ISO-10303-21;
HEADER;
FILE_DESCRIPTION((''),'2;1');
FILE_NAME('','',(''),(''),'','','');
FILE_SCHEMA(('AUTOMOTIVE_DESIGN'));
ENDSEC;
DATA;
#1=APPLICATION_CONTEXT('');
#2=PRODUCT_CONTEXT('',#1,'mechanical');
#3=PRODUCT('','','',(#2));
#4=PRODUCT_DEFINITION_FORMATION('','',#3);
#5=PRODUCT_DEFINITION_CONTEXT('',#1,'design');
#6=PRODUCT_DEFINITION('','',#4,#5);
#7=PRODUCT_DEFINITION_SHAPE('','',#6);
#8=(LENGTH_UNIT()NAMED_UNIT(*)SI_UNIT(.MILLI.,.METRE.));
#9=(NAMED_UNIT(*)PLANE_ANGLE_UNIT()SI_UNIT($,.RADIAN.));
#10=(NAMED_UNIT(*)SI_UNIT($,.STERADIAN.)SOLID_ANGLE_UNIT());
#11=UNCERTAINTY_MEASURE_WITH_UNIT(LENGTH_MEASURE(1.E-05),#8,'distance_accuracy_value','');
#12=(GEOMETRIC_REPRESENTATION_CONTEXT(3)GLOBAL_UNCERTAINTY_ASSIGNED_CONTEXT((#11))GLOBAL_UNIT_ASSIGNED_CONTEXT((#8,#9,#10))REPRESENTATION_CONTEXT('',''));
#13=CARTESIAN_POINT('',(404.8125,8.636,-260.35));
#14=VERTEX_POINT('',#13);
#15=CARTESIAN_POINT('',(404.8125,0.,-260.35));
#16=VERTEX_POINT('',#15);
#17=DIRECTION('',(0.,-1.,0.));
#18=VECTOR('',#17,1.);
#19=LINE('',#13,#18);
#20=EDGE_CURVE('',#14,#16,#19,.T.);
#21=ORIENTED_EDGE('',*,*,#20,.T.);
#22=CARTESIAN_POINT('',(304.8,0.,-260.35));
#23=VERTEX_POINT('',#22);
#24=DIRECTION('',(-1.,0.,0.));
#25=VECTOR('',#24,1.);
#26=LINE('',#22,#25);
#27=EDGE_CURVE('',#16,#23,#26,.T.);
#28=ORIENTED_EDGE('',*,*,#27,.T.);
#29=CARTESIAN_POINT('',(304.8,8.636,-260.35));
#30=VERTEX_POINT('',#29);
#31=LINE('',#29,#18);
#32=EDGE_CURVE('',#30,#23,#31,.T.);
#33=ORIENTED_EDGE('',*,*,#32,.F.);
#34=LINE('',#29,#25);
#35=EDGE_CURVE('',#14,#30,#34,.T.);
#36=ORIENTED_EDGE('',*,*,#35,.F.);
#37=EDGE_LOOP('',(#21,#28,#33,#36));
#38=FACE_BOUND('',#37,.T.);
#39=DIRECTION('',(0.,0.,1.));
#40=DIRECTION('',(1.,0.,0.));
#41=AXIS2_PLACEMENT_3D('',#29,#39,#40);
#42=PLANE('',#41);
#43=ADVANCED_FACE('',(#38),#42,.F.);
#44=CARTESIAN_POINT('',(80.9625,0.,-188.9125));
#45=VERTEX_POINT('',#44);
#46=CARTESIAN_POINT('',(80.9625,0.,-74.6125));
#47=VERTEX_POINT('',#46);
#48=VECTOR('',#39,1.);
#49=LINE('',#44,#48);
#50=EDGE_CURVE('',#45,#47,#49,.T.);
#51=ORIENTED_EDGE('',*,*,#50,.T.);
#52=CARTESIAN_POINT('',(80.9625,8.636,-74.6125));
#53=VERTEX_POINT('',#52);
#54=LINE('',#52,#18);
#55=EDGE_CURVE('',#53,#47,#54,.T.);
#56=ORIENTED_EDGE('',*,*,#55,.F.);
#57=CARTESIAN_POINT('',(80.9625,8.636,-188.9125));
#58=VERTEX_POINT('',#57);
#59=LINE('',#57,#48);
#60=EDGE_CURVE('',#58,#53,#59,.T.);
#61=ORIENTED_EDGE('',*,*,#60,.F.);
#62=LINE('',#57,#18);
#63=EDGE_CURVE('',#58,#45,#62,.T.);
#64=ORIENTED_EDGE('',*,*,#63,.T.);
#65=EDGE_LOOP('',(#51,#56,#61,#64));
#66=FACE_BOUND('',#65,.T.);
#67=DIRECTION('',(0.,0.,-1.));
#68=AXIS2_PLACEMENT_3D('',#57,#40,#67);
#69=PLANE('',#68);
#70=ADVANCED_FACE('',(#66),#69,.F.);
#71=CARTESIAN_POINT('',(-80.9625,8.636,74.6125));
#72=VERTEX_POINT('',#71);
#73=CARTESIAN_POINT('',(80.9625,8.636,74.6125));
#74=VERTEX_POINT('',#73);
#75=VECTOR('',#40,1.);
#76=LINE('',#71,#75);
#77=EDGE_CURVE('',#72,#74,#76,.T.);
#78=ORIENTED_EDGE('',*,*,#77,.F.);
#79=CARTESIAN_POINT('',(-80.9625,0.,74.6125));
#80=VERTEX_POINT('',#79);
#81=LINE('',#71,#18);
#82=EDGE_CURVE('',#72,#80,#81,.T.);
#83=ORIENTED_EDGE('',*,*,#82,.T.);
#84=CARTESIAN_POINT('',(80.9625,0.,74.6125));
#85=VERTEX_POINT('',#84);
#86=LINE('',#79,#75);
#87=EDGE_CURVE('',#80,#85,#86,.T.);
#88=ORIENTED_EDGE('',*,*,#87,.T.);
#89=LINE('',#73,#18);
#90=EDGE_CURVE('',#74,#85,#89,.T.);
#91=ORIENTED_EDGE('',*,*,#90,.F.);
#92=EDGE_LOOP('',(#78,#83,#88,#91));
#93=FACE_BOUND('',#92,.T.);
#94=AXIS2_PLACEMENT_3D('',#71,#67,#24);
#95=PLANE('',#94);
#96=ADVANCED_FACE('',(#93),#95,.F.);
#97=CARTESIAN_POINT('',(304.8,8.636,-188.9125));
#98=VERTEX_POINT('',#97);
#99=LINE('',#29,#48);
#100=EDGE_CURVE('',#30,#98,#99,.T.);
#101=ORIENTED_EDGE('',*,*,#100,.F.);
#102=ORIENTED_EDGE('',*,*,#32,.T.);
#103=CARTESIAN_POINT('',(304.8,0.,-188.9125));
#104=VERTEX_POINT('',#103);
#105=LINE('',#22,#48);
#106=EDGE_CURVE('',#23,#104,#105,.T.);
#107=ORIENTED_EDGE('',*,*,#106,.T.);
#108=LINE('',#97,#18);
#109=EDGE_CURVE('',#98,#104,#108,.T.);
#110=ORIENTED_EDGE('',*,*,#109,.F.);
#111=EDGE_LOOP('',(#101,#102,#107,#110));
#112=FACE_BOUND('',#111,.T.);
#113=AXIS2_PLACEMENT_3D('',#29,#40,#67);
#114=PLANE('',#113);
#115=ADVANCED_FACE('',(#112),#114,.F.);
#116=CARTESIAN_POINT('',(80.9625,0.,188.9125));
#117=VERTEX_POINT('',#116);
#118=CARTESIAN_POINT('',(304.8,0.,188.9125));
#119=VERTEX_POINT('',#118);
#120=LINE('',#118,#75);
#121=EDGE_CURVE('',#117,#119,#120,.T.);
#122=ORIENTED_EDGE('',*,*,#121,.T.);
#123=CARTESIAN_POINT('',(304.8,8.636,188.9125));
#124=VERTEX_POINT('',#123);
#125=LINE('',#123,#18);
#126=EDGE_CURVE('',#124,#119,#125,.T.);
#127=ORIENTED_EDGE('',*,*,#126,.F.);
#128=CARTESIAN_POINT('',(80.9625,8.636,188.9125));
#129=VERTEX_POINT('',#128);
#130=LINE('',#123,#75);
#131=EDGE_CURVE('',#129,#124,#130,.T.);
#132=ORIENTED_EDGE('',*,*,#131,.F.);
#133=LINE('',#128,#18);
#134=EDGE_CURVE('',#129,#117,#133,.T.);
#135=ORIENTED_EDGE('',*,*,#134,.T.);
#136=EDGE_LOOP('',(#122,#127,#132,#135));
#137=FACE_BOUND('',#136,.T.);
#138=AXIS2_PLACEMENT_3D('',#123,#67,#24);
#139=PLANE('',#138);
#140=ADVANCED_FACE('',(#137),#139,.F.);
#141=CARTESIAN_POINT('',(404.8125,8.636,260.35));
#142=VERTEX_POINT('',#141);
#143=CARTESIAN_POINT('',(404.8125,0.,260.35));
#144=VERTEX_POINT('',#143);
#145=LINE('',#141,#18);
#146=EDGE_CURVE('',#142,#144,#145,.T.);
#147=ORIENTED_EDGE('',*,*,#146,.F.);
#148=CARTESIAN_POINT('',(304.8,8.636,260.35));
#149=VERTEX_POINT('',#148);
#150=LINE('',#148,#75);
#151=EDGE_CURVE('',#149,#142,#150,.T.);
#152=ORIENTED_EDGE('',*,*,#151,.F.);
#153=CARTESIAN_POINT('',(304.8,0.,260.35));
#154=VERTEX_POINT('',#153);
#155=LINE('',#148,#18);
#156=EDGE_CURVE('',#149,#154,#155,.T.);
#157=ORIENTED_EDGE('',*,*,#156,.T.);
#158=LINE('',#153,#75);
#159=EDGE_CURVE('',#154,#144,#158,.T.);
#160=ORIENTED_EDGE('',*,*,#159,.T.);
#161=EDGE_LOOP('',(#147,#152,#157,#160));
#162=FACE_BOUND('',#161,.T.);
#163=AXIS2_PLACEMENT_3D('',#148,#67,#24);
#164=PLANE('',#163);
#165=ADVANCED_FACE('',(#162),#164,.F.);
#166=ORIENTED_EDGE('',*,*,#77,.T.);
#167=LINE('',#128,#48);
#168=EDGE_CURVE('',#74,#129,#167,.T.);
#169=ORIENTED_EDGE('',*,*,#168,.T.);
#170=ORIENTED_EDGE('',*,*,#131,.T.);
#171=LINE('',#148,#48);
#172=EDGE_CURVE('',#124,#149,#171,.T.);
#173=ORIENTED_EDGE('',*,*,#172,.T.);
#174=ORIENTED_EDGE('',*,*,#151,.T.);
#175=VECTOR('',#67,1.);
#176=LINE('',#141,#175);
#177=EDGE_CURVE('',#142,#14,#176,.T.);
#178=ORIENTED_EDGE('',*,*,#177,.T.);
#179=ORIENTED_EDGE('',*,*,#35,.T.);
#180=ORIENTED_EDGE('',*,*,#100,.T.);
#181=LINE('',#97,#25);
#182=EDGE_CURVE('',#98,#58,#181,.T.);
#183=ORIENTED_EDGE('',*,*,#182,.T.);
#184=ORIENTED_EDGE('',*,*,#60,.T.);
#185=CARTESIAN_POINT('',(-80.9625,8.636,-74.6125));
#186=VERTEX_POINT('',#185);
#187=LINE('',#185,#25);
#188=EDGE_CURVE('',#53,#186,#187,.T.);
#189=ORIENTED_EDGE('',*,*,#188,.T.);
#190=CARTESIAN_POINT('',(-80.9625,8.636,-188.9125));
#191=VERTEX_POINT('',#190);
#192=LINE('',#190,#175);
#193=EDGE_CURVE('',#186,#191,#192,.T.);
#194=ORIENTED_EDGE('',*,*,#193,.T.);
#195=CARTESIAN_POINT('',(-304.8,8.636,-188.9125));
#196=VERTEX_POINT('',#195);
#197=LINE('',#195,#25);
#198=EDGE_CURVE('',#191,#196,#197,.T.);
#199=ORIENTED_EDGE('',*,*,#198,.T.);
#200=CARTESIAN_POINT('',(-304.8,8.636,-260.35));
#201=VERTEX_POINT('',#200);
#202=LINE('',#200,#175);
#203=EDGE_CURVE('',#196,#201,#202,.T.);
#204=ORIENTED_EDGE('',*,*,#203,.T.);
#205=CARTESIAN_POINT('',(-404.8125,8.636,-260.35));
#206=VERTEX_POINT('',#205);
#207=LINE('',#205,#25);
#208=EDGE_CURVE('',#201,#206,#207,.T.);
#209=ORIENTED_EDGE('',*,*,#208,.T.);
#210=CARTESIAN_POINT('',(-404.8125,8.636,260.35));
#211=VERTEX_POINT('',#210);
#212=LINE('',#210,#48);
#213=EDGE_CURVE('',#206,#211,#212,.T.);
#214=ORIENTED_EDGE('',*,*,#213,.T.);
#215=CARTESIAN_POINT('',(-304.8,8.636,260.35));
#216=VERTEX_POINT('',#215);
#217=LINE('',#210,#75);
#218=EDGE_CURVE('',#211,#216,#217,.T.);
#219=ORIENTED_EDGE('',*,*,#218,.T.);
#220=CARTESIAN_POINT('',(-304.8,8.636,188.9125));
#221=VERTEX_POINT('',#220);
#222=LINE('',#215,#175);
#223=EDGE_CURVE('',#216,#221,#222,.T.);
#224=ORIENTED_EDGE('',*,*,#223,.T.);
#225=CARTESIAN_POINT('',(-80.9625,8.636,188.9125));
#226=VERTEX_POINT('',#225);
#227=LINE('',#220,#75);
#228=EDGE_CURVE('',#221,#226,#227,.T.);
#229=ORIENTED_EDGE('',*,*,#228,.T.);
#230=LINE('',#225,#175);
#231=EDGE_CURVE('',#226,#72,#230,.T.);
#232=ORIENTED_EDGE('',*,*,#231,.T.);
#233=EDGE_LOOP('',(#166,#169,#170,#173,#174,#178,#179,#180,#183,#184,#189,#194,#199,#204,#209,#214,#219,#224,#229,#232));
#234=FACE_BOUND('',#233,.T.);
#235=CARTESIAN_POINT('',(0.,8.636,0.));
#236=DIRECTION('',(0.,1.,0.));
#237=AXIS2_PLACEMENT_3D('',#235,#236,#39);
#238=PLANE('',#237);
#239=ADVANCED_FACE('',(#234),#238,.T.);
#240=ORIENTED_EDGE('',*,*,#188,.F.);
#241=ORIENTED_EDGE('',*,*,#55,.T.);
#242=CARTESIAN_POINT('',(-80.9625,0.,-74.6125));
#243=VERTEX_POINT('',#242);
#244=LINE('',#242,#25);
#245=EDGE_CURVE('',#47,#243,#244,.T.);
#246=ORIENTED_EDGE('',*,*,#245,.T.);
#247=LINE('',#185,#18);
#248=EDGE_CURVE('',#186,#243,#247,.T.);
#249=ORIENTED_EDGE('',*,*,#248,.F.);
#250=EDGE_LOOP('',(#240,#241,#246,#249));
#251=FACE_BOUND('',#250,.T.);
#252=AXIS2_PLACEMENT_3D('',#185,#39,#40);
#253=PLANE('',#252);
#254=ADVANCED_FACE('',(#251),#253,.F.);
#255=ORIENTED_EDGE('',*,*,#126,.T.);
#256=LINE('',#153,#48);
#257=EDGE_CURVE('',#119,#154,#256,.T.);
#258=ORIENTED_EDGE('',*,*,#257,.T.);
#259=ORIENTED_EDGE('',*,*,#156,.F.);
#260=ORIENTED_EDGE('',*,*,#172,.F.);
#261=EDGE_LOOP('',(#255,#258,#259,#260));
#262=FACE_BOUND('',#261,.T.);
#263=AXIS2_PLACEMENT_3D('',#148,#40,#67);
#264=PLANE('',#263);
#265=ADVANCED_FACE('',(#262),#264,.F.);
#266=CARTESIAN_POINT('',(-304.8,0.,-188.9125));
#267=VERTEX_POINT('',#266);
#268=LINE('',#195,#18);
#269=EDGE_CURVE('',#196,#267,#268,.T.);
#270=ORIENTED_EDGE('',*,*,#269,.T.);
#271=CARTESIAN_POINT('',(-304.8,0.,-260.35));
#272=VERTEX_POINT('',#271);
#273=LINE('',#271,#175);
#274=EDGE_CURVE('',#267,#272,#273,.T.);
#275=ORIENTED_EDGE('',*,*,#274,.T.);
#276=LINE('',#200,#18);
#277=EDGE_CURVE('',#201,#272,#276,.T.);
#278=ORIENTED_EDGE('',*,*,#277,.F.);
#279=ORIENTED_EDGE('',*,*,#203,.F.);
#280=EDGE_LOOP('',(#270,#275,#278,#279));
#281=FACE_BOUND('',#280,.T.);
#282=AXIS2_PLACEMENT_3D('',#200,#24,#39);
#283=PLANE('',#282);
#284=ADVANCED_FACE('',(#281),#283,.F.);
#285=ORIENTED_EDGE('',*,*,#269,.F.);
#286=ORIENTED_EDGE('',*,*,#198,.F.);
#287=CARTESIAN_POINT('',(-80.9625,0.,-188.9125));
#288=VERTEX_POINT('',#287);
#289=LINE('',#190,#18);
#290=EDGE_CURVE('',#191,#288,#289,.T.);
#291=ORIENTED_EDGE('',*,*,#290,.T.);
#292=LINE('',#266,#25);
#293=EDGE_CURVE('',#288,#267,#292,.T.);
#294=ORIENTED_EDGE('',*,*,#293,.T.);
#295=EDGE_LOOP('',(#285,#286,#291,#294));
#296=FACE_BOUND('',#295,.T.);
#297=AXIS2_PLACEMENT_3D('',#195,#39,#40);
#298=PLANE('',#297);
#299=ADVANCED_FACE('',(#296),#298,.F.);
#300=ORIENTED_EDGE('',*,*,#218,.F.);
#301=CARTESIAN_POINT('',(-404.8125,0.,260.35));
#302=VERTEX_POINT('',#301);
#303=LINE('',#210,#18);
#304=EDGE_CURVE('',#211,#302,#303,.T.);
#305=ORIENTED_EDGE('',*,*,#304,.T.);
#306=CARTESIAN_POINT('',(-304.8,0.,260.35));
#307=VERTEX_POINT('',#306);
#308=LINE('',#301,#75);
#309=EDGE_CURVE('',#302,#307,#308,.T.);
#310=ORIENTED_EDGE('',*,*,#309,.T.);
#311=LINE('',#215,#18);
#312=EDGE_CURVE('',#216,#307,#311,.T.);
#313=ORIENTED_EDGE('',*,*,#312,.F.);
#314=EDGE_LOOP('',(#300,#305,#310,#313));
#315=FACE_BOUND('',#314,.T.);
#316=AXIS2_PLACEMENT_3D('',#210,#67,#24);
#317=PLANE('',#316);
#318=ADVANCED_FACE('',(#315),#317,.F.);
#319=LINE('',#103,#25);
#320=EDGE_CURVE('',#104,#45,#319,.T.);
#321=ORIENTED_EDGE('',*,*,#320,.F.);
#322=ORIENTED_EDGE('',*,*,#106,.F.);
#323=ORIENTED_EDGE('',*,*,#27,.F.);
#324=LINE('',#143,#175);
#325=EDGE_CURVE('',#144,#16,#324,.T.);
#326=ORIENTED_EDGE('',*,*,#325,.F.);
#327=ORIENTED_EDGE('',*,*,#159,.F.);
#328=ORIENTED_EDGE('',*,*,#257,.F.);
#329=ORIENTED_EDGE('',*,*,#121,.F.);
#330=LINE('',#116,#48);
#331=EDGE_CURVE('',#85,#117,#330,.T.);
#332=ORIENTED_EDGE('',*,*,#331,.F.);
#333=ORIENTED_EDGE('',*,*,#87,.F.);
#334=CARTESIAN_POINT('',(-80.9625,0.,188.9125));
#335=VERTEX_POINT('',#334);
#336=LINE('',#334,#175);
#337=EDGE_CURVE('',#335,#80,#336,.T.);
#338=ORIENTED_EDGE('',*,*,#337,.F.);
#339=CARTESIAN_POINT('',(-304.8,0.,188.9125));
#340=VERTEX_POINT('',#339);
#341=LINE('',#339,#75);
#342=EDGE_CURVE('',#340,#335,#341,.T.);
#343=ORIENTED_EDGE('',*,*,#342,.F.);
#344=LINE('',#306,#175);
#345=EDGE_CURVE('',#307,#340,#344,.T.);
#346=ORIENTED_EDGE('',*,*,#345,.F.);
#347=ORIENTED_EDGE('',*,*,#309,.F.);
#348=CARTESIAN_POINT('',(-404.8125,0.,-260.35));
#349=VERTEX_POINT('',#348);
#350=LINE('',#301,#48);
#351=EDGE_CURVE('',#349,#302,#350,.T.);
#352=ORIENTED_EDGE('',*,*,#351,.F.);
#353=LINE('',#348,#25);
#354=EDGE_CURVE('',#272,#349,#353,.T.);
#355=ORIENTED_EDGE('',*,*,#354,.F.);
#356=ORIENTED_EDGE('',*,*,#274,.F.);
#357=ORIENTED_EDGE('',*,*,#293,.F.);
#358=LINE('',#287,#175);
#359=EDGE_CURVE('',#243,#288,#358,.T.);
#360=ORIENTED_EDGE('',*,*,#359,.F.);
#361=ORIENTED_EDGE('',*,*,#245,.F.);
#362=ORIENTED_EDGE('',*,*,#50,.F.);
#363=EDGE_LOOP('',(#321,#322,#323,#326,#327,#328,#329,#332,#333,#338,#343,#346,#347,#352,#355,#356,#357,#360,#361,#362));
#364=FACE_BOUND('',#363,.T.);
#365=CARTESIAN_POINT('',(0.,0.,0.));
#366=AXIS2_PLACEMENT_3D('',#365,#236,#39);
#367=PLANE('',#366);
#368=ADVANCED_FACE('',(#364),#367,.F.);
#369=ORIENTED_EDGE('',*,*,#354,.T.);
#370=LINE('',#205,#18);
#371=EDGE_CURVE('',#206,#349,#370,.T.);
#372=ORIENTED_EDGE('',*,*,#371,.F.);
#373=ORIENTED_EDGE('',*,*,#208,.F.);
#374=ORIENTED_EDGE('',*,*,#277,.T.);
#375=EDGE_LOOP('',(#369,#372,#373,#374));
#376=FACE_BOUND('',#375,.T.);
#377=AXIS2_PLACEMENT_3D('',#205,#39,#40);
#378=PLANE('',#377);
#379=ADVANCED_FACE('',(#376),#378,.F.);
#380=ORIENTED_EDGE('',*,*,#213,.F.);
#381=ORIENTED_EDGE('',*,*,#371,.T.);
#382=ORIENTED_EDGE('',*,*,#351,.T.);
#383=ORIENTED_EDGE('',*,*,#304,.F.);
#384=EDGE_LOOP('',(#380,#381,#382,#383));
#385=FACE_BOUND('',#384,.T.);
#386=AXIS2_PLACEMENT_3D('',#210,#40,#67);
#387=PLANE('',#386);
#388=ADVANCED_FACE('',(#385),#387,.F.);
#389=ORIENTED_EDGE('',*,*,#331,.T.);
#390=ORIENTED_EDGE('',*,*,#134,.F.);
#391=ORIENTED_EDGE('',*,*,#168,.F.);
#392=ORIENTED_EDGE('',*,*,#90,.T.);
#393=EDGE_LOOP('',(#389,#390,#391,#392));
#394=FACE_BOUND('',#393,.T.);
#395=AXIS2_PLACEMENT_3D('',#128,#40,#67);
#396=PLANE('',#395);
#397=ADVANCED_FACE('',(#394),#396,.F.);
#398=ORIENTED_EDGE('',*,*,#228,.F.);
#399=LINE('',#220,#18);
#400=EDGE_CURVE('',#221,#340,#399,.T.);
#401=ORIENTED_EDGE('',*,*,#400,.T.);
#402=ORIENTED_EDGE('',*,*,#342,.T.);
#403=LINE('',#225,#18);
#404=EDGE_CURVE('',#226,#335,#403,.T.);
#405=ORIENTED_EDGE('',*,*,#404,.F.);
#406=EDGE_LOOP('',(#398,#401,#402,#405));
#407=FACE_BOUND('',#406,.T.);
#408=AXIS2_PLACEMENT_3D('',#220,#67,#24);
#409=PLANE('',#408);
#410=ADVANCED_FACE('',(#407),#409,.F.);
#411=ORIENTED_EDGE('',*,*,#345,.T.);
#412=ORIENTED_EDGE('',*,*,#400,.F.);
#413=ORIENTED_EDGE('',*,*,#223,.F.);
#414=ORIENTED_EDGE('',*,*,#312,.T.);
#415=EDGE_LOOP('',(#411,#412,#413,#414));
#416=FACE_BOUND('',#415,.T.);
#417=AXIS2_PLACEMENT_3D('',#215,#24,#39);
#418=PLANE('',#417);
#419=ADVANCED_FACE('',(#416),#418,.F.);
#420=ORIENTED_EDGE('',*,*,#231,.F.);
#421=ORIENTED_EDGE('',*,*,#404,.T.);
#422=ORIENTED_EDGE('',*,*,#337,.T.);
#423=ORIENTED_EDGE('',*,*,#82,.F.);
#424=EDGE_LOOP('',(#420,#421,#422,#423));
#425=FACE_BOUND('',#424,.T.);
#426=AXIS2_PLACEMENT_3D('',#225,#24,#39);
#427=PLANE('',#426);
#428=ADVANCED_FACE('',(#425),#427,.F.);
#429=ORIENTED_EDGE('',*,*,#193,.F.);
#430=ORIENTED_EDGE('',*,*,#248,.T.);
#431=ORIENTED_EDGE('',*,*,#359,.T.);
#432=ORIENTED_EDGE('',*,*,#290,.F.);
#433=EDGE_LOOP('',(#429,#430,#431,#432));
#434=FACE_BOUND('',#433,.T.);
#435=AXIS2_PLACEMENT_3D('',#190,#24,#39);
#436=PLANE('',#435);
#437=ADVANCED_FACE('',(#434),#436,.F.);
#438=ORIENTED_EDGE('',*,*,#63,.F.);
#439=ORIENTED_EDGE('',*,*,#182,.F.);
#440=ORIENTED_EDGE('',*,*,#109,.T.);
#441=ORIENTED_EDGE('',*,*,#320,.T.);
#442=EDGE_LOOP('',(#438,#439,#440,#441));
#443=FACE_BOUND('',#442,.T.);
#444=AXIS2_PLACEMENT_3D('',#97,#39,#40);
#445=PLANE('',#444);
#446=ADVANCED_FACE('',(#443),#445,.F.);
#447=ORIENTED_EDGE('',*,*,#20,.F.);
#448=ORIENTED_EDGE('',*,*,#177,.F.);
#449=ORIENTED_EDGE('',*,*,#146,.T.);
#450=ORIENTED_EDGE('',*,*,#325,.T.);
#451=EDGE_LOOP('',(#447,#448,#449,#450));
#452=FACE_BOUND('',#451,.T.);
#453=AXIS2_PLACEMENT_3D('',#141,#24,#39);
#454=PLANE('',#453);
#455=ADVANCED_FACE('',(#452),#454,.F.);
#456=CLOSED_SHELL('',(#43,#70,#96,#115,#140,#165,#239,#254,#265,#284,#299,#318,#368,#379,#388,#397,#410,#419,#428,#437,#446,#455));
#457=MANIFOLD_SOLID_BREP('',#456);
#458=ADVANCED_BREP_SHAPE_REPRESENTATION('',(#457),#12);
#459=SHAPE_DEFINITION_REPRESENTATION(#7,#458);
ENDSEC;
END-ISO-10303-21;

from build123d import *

# Parameters (mm, degrees)
BOSS_EXTRUDE1_DEPTH = 8.636


with BuildPart() as part:
    # Sketch1 → Boss-Extrude1 (new body)
    with BuildSketch(Plane(origin=(0, 0, 0), x_dir=(1, 0, 0), z_dir=(0, 1, 0))):
        Polygon((-304.8, 260.35), (-304.8, 188.9125), (-80.9625, 188.9125), (-80.9625, 74.6125), (80.9625, 74.6125), (80.9625, 188.9125), (304.8, 188.9125), (304.8, 260.35), (404.8125, 260.35), (404.8125, -260.35), (304.8, -260.35), (304.8, -188.9125), (80.9625, -188.9125), (80.9625, -74.6125), (-80.9625, -74.6125), (-80.9625, -188.9125), (-304.8, -188.9125), (-304.8, -260.35), (-404.8125, -260.35), (-404.8125, 260.35), align=None)
    extrude(amount=BOSS_EXTRUDE1_DEPTH)


solid = part.part
